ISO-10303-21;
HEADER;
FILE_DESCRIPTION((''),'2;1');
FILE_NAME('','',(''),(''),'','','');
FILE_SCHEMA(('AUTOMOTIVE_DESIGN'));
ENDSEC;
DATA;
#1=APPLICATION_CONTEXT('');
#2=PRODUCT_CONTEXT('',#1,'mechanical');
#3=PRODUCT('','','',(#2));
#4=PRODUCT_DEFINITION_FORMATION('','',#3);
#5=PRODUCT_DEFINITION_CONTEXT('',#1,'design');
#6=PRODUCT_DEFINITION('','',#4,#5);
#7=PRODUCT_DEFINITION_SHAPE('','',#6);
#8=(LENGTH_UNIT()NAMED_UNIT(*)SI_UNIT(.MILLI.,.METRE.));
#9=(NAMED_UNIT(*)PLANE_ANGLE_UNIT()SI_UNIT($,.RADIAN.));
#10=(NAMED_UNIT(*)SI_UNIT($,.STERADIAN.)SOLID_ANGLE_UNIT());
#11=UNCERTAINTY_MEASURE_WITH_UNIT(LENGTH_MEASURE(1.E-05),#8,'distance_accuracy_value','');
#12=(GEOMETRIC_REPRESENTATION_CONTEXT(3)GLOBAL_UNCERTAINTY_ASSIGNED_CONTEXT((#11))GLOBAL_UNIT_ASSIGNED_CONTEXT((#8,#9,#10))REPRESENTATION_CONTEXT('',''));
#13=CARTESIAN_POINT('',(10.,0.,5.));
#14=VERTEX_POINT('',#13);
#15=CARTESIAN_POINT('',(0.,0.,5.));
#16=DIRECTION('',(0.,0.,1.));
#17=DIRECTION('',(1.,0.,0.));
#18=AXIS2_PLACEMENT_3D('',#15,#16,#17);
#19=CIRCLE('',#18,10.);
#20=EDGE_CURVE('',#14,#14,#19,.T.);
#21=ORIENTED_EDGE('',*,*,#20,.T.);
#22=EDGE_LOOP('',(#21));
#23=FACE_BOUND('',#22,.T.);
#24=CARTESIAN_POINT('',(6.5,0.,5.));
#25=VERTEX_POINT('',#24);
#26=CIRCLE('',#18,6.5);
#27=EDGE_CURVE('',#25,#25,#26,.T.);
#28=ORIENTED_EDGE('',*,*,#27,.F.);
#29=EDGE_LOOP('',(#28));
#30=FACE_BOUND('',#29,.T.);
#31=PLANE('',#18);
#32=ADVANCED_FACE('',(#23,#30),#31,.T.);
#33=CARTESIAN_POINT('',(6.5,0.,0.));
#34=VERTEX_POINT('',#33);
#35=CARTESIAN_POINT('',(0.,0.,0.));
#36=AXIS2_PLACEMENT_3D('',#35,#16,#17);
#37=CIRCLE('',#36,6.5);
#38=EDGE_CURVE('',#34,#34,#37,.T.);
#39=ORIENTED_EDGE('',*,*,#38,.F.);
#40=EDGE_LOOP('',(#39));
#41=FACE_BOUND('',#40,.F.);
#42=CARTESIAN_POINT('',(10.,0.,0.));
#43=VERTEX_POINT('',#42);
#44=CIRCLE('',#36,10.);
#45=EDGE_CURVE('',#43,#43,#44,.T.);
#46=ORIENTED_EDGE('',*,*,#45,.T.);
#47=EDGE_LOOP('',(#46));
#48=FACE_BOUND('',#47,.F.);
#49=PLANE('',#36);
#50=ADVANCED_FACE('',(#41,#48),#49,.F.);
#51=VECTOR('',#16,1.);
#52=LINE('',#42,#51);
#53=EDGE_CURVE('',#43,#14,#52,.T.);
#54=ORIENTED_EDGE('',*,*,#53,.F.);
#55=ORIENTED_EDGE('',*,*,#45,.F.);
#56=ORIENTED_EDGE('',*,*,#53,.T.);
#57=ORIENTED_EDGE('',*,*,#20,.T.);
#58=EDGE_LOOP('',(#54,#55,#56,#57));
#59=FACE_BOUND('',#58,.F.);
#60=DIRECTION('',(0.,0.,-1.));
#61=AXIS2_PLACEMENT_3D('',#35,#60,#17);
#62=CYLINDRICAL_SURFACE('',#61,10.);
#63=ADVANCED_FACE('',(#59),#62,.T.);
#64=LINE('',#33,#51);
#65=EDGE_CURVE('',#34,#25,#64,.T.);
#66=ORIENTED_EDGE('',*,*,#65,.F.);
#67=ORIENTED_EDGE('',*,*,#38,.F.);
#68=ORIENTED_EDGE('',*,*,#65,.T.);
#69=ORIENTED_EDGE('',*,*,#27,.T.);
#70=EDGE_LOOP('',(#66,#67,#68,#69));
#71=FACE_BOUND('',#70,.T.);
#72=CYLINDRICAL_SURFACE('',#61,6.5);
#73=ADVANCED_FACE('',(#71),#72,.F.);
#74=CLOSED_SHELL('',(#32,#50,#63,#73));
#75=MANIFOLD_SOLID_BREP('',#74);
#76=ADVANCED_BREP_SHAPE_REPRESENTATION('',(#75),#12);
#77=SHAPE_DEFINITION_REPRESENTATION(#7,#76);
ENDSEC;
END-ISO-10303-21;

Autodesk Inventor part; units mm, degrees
ref_plane "YZ Plane" through (0, 0, 0) normal (1, 0, 0) x (0, 1, 0)
ref_plane "XZ Plane" through (0, 0, 0) normal (0, 1, 0) x (-1, 0, 0)
ref_plane "XY Plane" through (0, 0, 0) normal (0, 0, 1) x (1, 0, 0)
sketch "Sketch1" plane through (0, 0, 0) normal (0, 0, 1) x (1, 0, 0)
  circle A0 centre (0, 0) radius 6.5
  circle A1 centre (0, 0) radius 10
  dimension "d0" = 13
  dimension "d1" = 20
extrude "Extrusion1" add sketch "Sketch1" along normal blind 5
properties part number "WaveGeneratorRoller" material "ABS Plastic"
